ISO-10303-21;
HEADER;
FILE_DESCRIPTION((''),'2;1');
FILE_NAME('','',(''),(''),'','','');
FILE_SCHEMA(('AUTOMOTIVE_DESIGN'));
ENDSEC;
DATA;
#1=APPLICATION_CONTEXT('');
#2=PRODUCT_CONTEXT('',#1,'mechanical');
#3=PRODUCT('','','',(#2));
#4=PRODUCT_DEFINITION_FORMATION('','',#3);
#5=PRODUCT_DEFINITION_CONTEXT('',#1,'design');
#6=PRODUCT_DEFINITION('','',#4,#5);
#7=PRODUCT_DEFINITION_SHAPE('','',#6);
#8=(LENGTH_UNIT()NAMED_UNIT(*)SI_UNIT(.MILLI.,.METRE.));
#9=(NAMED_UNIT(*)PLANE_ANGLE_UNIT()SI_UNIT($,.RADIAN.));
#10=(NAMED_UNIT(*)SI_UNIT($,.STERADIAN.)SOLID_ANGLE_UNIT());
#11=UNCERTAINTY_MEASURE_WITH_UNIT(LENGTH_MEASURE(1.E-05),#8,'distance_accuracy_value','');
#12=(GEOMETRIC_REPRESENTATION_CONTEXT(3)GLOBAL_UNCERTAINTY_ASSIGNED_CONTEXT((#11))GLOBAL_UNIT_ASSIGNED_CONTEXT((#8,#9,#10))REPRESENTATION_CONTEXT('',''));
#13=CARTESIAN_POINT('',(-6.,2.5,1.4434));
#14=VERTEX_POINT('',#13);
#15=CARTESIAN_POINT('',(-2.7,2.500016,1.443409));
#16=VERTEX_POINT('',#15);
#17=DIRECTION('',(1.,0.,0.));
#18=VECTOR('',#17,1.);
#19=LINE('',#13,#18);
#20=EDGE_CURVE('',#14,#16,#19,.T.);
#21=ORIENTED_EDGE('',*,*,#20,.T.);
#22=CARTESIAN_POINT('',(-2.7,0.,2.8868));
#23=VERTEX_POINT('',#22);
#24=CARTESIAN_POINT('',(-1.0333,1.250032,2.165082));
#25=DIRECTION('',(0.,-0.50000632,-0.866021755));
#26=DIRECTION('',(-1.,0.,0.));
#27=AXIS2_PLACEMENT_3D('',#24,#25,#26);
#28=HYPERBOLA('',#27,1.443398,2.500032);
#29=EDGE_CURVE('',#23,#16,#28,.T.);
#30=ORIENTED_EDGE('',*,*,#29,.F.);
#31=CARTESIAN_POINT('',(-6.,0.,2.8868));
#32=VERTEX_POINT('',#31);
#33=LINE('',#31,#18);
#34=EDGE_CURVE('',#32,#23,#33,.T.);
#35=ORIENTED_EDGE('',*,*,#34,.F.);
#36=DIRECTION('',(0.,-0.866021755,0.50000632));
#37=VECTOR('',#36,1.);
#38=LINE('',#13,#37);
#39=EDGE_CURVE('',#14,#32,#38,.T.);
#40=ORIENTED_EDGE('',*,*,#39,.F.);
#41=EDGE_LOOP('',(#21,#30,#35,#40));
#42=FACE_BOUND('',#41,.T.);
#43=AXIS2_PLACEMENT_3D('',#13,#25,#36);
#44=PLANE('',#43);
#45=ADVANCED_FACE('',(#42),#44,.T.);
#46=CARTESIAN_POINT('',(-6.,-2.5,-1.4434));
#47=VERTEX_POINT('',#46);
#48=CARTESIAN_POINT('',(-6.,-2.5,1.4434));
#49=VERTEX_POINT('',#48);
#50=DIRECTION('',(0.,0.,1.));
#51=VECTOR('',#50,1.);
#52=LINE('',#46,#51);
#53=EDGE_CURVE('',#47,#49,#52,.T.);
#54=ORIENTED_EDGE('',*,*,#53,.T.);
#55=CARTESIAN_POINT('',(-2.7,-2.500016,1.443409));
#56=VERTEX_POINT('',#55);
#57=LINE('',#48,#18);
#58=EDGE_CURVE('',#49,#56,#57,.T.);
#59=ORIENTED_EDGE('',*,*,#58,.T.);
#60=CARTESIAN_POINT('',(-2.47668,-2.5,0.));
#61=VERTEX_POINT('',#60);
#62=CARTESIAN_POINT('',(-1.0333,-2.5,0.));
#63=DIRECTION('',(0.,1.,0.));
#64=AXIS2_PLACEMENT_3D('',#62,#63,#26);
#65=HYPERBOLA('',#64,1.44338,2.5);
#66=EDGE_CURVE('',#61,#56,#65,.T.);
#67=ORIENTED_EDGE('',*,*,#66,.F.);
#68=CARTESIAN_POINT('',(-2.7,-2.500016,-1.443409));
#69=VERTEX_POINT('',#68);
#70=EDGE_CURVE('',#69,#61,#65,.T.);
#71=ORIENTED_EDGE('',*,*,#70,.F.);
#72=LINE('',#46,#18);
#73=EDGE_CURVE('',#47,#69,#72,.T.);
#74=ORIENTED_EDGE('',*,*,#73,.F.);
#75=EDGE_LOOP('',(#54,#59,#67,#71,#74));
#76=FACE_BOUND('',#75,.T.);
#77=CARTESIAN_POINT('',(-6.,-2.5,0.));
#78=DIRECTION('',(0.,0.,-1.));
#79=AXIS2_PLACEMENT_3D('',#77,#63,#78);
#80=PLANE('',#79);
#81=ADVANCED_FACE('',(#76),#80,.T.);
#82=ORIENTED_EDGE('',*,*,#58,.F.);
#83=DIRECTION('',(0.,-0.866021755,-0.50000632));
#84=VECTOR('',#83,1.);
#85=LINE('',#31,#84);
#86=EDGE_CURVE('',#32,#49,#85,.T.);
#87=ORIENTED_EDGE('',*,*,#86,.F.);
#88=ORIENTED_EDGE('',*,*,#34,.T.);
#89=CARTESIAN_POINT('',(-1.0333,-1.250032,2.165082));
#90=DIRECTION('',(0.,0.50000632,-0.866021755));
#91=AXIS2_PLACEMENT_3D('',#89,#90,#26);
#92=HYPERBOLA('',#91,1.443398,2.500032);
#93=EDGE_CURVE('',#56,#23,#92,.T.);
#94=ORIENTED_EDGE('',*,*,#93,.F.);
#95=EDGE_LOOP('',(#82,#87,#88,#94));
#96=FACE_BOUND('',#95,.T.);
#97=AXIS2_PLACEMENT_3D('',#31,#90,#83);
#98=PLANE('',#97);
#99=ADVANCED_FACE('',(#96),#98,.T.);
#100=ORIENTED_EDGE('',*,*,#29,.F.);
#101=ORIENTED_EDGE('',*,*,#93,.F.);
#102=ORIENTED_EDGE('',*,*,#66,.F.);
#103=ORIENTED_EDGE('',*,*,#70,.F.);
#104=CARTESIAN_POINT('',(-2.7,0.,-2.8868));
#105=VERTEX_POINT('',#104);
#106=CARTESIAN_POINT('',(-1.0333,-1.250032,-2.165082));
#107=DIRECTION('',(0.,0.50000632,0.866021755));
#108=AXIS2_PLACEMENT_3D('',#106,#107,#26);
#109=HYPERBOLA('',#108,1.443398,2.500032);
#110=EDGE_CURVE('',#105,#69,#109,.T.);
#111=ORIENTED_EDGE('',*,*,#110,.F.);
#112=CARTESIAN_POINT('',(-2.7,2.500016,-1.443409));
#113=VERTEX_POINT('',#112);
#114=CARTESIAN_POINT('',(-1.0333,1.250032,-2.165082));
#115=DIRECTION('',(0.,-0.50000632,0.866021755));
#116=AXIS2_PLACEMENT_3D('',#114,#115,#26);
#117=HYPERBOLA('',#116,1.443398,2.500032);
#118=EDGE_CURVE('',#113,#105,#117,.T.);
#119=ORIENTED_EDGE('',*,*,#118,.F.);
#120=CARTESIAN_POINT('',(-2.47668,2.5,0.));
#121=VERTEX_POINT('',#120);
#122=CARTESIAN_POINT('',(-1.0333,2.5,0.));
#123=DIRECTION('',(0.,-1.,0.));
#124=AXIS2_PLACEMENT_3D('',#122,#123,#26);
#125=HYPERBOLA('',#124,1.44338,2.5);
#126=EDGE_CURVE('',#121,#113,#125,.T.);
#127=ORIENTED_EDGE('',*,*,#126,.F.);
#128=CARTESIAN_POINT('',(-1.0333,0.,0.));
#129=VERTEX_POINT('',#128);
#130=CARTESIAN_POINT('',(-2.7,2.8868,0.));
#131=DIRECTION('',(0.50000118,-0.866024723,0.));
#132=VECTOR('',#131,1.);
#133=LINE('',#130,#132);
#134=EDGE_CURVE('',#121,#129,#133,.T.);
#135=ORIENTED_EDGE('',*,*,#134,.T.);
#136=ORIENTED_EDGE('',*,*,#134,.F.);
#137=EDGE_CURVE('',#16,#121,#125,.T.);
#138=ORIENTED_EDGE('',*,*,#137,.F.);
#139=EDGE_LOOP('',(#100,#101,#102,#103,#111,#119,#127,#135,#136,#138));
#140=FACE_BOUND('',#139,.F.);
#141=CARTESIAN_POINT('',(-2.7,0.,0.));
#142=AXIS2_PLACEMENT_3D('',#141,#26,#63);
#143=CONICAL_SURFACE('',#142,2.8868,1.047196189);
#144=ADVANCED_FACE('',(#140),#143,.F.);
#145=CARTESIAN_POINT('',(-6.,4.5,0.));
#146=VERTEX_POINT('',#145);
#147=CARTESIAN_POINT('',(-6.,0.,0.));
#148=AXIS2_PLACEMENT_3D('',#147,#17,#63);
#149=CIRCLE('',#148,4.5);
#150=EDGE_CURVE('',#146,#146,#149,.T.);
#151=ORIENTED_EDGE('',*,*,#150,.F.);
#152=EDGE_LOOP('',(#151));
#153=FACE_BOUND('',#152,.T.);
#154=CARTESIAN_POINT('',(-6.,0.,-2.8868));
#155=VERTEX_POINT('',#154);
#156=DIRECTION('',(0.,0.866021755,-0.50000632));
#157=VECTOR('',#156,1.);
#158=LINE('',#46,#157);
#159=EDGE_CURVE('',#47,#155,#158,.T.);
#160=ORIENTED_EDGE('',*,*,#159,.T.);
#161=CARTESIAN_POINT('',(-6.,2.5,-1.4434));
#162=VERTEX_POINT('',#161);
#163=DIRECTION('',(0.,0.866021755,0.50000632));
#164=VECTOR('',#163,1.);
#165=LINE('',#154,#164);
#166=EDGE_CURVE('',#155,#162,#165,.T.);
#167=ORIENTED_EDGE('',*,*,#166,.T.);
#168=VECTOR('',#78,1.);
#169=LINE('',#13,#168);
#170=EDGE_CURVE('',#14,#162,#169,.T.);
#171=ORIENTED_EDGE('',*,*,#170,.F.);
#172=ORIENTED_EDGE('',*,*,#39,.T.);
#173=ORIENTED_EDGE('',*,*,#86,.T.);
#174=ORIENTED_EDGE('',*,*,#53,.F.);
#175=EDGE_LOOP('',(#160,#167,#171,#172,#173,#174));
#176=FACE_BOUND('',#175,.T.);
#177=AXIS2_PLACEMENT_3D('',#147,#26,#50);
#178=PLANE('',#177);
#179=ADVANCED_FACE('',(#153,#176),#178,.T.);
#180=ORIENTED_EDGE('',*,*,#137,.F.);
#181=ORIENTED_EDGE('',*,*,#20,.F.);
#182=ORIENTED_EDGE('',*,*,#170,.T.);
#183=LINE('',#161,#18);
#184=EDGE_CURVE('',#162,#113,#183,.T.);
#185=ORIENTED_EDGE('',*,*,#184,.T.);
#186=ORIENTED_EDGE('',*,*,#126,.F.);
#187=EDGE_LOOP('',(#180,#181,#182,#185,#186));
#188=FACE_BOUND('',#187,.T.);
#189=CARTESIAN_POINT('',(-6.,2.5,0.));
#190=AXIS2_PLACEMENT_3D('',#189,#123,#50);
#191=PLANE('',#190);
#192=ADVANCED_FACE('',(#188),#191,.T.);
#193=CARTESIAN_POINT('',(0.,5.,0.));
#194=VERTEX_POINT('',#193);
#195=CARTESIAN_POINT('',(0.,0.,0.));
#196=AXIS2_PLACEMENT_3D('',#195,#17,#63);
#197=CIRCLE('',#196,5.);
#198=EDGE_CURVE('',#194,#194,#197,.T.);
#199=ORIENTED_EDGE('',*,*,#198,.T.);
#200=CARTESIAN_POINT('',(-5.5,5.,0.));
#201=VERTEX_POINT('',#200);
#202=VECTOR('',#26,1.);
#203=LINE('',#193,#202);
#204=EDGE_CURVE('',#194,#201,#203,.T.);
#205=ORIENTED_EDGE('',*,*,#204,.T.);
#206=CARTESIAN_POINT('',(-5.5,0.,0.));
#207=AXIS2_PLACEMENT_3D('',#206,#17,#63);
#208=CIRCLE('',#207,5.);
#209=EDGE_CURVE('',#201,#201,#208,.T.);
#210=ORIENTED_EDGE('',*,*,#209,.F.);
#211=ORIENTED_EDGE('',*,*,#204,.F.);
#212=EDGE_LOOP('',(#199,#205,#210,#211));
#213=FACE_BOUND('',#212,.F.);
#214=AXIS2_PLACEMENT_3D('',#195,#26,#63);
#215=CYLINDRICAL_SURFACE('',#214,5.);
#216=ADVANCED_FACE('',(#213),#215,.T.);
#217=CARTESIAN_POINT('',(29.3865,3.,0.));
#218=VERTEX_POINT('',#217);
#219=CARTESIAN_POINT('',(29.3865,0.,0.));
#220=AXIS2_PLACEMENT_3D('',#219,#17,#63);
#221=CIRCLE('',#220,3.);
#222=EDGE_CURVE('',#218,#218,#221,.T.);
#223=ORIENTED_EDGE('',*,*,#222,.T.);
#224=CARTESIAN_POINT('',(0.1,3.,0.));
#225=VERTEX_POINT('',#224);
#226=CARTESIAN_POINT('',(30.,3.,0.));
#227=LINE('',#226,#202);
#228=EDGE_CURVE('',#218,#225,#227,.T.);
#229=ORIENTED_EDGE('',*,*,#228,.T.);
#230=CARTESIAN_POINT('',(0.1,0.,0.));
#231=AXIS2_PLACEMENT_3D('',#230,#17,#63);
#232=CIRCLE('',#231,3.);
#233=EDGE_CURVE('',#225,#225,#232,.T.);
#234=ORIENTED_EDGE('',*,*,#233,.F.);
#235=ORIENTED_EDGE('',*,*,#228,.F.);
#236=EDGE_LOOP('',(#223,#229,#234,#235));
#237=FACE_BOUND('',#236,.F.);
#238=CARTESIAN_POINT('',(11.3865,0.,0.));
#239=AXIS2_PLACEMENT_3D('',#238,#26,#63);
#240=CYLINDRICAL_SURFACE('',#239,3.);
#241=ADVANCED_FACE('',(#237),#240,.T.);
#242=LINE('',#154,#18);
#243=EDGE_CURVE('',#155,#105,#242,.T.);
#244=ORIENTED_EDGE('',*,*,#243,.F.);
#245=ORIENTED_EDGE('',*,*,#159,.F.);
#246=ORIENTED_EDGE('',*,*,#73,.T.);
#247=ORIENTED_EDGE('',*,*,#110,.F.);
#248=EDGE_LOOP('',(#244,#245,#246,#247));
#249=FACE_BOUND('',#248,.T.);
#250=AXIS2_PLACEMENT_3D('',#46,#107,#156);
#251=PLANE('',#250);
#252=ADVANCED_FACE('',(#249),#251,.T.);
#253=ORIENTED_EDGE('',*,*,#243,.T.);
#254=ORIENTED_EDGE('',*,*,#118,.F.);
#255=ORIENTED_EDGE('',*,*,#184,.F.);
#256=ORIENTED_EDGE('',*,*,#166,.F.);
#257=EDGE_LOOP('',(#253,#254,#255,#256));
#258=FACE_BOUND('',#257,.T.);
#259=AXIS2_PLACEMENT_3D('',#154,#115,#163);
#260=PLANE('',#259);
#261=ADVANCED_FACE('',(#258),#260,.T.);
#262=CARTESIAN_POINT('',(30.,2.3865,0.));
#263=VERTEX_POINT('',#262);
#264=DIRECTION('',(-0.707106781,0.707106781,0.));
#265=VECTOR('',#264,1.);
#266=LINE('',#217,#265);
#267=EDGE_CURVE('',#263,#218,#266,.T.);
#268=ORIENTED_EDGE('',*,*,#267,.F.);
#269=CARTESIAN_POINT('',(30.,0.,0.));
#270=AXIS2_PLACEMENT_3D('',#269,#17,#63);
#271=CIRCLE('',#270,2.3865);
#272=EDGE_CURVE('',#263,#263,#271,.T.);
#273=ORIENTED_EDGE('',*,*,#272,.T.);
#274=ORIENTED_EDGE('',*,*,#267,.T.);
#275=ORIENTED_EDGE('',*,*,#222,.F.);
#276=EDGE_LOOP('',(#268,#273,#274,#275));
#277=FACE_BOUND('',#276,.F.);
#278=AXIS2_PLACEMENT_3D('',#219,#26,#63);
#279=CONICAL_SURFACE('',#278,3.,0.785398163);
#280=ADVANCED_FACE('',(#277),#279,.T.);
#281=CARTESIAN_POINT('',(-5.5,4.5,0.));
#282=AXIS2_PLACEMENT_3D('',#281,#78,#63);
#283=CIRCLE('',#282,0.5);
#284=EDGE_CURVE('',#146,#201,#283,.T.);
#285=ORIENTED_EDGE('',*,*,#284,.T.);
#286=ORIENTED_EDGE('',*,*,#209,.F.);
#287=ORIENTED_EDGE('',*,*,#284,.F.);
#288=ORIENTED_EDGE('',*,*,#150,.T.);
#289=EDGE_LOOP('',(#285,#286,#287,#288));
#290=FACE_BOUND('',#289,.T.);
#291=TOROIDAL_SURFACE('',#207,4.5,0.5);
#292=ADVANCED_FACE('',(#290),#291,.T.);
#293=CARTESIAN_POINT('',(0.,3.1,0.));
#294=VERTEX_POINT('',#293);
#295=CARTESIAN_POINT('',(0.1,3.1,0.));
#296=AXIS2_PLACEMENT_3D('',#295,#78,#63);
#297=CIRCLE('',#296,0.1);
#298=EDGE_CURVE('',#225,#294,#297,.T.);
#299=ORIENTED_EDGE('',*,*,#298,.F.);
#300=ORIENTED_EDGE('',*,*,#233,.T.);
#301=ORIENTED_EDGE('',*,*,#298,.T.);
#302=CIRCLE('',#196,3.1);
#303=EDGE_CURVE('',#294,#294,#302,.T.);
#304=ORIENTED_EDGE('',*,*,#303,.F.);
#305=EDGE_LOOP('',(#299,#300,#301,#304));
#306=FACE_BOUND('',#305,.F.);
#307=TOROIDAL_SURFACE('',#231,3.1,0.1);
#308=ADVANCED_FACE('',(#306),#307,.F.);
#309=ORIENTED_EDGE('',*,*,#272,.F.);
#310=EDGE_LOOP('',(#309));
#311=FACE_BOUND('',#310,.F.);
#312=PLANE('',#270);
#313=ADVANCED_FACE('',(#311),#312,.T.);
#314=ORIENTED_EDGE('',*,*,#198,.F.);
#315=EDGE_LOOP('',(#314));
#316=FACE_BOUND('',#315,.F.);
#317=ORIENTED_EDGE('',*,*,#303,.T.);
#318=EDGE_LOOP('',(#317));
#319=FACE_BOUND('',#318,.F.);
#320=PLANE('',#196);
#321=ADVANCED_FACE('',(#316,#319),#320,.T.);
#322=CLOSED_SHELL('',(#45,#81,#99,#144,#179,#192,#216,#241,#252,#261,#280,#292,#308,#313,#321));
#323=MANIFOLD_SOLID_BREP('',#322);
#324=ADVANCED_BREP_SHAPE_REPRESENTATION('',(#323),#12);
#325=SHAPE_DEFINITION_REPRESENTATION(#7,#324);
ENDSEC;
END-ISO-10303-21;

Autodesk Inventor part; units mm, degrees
ref_plane "YZ Plane" through (0, 0, 0) normal (1, 0, 0) x (0, 1, 0)
ref_plane "XZ Plane" through (0, 0, 0) normal (0, 1, 0) x (-1, 0, 0)
sketch "Szkic1" plane through (0, 0, 0) normal (0, 0, 1) x (1, 0, 0)
  line L0 (-1.0333, 0) -> (30, 0)
  line L1 (30, 0) -> (30, 3)
  line L2 (30, 3) -> (12, 3)
  line L3 (12, 3) -> (11.3865, 3)
  line L4 (11.3865, 3) -> (0, 3)
  line L5 (0, 3) -> (0, 5)
  line L6 (0, 5) -> (-6, 5)
  line L7 (-6, 5) -> (-6, 2.8868)
  line L8 (-6, 2.8868) -> (-2.7, 2.8868)
  line L9 (-2.7, 2.8868) -> (-1.0333, 0)
  line L10 (-13.2, 0) -> (37.2, 0) projected
  line L11 (0, -1) -> (0, 6) projected
  line L12 (12, 3) -> (0, 3) construction
  dimension "d1" = 18
  dimension "d2" = 0.6136
  dimension "d3" = 6
  dimension "d4" = 3.3
  dimension "d5" = 60
  dimension "d6" = 6
  dimension "d7" = 6
  dimension "d8" = 5.7735
  dimension "d9" = 10
  dimension "d26" = 30
revolve "Bryła" add sketch "Szkic1" angle 360 about axis through (-1.0333, 0, 0) along (1, 0, 0)
sketch "Szkic2" plane through (-6, 0, 0) normal (-1, 0, 0) x (0, 0, 1)
  circle A0 centre (0, 0) radius 2.8868 projected
  line L0 (0, -7) -> (0, 7) projected
  line L1 (-7, 0) -> (7, 0) projected
  line L2 (2.8868, 0) -> (1.4434, -2.5)
  line L3 (1.4434, -2.5) -> (-1.4434, -2.5)
  line L4 (-1.4434, -2.5) -> (-2.8868, 0)
  line L5 (-2.8868, 0) -> (-1.4434, 2.5)
  line L6 (-1.4434, 2.5) -> (1.4434, 2.5)
  line L7 (1.4434, 2.5) -> (2.8868, 0)
extrude "Szczelina" add sketch "Szkic2" against normal up to next contours L7 A0 | A0 L2 | L6 L0 A0 | A0 L0 L3 | L0 L6 A0 | A0 L3 L0 | L4 A0 | A0 L5
fillet "Zaokrąglenie1" radius 0.5 1 edges at (-6, -5, 0)
thread "Gwint" size "M6x1" class "6g" standard "ISO Metric profile" length 18
chamfer "Faza1" distance 0.6135 distance2 0.6135 1 edges at (30, -3, 0) measured on face at (30, -0.301, -1.1526)
ref_plane "Work Plane1" through (29, 0, 0) normal (0, -1, 0) x (1, 0, 0)
fillet "Fillet2" radius 0.1 1 edges at (0, -3, 0)
equation "\"d1\" = GEL"
equation "\"d3\" = KOH"
equation "\"d4\" = INTI"
equation "\"d6\" = GD"
equation "\"d7\" = BDM"
equation "\"d8\" = 1.1547 * SW"
equation "\"d9\" = KOD"
equation "\"d26\" = NLG"
equation "\"d30\" = R"
equation "\"d17\" = RR"
equation "\"d13\" = GEL"
equation "\"d15\" = -0.5 * SPD + 0.5 * GD"
equation "\"d16\" = GUL"
equation "\"GD\" = NND"
equation "\"NLG\" = 30"
equation "\"GEL\" = 18"
equation "\"KOD\" = 10"
equation "\"KOH\" = NND"
equation "\"INTI\" = 3.3"
equation "\"GAL\" = 0.61345 * PTC"
equation "\"GUL\" = 0.61345 * PTC"
equation "\"BDM\" = NND"
equation "\"SW\" = 5"
equation "\"RR\" = 0.5"
equation "\"SPD\" = NND - 1.2269 * PTC"
equation "\"R\" = 0.1"
equation "\"TOA\" = 30deg"
equation "\"GD1\" = THREADDIA - 1.2269 * PTC"
equation "\"THREADDIA\" = 6"
equation "\"FAWI\" = 45deg"
equation "\"PTC\" = 1"
equation "\"NND\" = 6"
equation "\"E0\" = 1.155 * SW"
properties part number "CNS 3932 - M 6 x 30" material "Stal, miękka"
